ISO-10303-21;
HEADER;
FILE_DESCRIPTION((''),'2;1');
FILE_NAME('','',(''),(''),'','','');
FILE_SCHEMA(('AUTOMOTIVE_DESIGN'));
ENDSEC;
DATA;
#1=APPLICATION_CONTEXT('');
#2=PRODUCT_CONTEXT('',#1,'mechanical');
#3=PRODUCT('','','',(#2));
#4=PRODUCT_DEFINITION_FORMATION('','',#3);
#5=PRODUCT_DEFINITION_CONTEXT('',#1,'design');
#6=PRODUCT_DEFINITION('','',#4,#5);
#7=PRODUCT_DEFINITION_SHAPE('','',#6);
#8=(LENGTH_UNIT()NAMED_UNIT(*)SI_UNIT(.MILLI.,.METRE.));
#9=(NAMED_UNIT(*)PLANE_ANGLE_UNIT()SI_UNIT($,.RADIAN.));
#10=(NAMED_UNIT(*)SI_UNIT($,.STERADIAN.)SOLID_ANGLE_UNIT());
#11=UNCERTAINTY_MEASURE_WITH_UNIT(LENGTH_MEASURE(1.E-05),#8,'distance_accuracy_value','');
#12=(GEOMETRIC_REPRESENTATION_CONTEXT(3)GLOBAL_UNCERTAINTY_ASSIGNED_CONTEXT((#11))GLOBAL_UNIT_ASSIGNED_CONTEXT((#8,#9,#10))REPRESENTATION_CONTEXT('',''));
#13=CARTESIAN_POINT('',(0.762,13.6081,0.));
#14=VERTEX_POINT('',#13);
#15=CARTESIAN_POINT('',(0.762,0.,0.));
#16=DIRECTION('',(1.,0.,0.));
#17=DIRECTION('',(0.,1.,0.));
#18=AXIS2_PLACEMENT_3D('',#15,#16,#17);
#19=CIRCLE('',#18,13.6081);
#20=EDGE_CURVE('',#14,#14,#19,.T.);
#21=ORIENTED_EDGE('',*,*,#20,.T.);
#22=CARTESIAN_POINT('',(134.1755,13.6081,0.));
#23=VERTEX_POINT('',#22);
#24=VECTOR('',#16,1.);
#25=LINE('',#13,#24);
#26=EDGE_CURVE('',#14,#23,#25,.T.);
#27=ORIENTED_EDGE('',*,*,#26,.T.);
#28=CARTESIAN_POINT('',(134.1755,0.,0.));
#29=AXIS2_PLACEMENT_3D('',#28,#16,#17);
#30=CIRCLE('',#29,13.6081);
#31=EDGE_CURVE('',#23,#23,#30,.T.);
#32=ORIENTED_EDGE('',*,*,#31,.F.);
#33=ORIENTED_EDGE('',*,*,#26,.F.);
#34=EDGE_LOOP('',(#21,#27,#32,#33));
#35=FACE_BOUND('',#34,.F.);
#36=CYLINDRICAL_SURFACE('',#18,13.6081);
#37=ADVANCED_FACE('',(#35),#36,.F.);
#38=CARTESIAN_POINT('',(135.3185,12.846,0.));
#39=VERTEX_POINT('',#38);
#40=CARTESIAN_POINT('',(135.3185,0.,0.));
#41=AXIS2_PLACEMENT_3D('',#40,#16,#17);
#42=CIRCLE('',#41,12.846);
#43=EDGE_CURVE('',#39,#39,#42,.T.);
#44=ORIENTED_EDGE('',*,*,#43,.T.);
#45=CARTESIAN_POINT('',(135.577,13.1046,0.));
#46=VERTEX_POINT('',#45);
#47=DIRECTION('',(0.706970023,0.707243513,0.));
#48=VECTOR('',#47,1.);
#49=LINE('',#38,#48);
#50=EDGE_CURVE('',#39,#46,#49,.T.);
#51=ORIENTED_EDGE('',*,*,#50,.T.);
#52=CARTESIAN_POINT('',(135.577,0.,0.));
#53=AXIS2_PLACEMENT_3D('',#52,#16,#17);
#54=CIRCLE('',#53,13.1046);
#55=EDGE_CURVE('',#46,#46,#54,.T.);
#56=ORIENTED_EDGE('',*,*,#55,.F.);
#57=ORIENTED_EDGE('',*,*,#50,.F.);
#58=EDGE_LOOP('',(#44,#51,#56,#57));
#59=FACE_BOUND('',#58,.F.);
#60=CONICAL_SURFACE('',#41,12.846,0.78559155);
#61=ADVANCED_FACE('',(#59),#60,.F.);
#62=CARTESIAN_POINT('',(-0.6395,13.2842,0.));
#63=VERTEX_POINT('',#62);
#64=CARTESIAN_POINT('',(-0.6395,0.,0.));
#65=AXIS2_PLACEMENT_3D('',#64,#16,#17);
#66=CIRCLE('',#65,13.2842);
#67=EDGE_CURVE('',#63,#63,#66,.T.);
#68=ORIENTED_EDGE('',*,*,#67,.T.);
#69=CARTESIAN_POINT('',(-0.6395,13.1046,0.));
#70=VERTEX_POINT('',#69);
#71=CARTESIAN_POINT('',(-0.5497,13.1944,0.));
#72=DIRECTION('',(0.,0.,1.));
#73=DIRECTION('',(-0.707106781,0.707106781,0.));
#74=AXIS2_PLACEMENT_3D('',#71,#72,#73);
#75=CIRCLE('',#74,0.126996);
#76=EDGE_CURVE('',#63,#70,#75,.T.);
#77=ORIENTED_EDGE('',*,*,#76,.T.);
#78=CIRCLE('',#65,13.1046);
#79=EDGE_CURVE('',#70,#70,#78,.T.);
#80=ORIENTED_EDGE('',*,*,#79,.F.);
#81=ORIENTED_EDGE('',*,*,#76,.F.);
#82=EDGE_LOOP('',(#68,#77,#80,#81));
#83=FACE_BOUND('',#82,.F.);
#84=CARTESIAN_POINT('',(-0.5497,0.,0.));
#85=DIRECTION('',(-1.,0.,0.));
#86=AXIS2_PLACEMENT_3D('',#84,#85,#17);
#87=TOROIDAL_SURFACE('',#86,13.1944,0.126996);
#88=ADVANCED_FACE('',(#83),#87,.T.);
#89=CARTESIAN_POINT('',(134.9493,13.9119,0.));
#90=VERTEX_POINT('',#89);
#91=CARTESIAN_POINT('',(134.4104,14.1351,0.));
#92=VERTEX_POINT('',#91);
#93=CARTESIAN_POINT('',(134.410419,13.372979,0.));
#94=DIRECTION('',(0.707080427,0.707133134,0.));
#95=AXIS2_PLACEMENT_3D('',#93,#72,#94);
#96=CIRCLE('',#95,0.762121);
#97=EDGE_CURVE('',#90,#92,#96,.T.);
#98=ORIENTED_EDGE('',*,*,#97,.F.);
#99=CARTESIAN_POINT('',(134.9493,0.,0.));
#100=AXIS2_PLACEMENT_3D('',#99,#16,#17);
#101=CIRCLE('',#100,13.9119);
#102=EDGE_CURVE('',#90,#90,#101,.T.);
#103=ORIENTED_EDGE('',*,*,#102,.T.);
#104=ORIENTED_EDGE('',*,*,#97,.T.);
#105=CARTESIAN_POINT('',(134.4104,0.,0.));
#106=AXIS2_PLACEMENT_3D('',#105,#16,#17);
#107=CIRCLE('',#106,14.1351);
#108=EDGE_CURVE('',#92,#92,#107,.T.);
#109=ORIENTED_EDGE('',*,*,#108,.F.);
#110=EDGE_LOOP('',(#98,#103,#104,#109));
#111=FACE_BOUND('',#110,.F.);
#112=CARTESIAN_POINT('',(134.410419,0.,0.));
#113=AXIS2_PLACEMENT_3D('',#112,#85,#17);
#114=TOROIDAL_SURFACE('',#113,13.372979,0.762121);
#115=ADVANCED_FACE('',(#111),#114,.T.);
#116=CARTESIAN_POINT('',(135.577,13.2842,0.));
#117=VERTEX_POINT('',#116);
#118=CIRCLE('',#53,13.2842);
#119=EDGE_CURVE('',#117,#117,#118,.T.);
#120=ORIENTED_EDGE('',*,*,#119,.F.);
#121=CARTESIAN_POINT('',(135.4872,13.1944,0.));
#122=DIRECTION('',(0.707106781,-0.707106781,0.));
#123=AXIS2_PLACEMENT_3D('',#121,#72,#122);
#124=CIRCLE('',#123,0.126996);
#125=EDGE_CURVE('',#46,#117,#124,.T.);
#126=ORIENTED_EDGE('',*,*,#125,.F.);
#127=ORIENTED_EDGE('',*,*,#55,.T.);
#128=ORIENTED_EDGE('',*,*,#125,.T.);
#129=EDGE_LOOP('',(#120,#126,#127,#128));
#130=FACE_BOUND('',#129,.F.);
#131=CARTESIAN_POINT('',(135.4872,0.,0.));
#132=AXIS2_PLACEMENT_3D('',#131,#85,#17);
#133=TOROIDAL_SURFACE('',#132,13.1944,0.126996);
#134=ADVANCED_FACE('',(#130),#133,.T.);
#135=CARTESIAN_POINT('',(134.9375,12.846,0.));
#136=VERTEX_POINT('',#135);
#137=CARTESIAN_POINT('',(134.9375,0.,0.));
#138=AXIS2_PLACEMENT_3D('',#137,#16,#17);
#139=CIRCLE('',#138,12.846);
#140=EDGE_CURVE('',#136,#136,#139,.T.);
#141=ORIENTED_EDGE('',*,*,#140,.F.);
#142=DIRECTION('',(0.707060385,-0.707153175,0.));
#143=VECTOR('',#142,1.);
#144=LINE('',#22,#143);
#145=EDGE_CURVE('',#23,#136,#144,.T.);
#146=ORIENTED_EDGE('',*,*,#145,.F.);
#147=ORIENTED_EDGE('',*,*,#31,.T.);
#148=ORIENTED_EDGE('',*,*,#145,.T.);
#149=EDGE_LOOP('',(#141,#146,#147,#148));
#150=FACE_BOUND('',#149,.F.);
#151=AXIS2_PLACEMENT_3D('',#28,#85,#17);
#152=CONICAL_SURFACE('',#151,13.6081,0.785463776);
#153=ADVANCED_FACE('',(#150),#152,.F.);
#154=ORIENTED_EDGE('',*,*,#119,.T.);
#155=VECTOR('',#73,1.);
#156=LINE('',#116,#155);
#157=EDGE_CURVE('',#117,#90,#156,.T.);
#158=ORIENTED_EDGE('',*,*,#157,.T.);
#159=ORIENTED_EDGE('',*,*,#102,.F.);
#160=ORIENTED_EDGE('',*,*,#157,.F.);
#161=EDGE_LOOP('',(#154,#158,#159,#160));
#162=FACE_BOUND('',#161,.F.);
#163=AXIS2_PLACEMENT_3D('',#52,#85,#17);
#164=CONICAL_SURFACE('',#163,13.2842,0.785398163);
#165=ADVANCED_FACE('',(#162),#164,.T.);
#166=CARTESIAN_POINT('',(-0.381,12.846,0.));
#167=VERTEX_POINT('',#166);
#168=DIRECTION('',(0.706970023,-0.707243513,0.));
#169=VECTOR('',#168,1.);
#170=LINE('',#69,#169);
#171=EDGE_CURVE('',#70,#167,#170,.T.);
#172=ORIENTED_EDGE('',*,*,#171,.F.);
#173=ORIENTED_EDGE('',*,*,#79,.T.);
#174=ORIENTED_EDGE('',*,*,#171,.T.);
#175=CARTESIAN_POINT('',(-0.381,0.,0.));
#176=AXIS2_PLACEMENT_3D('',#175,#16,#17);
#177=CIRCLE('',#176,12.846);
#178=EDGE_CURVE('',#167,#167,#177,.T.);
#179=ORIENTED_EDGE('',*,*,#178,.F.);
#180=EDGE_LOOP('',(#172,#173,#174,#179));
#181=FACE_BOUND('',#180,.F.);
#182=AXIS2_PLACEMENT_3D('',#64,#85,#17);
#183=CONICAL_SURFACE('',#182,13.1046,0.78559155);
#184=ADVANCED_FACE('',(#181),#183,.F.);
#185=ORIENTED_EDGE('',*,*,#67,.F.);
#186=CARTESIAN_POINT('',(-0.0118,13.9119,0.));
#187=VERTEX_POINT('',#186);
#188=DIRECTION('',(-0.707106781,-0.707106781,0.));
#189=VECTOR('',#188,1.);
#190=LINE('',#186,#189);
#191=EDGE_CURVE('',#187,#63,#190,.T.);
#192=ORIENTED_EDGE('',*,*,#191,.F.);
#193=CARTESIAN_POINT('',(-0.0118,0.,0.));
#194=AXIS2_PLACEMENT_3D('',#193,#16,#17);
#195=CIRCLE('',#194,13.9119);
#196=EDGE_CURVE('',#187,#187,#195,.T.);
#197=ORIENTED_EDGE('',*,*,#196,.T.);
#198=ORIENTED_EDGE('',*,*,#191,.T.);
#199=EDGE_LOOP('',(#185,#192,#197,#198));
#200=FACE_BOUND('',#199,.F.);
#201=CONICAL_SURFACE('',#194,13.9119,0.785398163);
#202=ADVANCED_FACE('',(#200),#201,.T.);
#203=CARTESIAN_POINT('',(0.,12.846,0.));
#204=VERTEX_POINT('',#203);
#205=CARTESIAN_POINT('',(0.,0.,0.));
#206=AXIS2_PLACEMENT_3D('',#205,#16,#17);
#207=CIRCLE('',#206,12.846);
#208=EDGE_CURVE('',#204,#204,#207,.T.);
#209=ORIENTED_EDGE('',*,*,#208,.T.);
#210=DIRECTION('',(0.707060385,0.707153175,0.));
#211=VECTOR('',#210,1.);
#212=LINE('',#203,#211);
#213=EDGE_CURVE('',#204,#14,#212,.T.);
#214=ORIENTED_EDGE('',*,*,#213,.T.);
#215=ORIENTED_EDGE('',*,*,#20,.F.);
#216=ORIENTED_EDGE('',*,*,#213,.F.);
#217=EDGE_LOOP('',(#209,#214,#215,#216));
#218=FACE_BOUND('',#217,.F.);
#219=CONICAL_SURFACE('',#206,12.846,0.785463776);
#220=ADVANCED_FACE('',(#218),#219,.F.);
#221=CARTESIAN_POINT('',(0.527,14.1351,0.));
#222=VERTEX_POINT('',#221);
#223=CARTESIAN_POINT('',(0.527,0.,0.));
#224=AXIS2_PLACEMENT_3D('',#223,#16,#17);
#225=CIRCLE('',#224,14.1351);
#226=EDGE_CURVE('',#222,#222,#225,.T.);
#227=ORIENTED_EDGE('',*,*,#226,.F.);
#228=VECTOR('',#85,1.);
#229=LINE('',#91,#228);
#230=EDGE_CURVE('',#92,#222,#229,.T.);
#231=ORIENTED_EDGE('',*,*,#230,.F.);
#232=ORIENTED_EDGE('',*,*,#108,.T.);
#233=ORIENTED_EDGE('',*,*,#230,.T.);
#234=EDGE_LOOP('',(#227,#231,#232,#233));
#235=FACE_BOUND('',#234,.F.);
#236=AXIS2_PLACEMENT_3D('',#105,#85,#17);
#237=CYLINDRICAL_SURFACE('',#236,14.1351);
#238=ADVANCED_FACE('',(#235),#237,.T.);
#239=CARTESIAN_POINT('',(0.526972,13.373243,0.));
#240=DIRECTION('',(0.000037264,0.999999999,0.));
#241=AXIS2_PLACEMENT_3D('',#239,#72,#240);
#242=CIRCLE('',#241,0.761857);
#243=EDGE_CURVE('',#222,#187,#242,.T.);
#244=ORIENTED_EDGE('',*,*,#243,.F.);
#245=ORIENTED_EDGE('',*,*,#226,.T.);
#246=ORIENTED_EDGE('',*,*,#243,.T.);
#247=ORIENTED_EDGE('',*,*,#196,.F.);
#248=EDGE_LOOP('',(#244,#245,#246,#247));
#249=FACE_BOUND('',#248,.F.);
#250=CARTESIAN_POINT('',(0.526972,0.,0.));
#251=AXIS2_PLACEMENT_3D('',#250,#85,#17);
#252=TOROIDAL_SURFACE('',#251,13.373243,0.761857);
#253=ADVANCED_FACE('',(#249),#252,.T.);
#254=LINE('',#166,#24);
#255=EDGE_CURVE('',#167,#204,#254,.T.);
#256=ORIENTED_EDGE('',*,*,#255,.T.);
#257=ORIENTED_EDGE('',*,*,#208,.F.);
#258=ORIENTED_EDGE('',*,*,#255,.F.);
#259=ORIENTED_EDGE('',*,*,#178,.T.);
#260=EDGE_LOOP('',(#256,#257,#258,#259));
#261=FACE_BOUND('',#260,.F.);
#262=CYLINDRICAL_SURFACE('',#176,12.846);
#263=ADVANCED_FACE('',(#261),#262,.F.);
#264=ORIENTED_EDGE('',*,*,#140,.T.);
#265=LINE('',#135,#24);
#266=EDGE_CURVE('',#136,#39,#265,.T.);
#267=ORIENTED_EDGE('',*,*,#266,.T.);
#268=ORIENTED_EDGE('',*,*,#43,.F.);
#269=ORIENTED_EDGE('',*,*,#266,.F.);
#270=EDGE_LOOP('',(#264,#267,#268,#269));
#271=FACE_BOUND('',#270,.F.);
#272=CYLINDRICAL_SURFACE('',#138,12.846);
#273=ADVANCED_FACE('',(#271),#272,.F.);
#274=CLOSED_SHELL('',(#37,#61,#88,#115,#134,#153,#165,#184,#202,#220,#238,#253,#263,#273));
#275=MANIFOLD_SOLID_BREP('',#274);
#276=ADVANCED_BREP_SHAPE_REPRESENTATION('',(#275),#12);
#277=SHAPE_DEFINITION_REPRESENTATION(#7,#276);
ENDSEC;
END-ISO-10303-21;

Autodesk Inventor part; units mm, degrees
sketch "Sketch_1" plane through (0, 0, 0) normal (0, 0, 1) x (1, 0, 0)
  line L0 (134.9375, 0) -> (0, 0)
  arc A0 (-0.6395, 13.2842) -> (-0.6395, 13.1046) centre (-0.5497, 13.1944) ccw
  line L1 (-0.6395, 13.1046) -> (-0.381, 12.846)
  line L2 (-0.381, 12.846) -> (0, 12.846)
  line L3 (0, 12.846) -> (0.762, 13.6081)
  line L4 (0.762, 13.6081) -> (134.1755, 13.6081)
  line L5 (134.1755, 13.6081) -> (134.9375, 12.846)
  line L6 (134.9375, 12.846) -> (135.3185, 12.846)
  line L7 (135.3185, 12.846) -> (135.577, 13.1046)
  arc A1 (135.577, 13.1046) -> (135.577, 13.2842) centre (135.4872, 13.1944) ccw
  line L8 (135.577, 13.2842) -> (134.9493, 13.9119)
  arc A2 (134.9493, 13.9119) -> (134.4104, 14.1351) centre (134.4105, 13.3731) ccw
  line L9 (134.4104, 14.1351) -> (0.527, 14.1351)
  arc A3 (0.527, 14.1351) -> (-0.0118, 13.9119) centre (0.527, 13.3731) ccw
  line L10 (-0.0118, 13.9119) -> (-0.6395, 13.2842)
revolve "Revolution1" add sketch "Sketch_1" angle 360 about axis through (134.9375, 0, 0) along (1, 0, 0)
ref_plane "cp1_XY" through (67.4688, 14.1351, 0) normal (1, 0, 0) x (0, 0, -1)
ref_plane "cp1_YZ" through (67.4688, 14.1351, 0) normal (0, 0, -1) x (0, 1, 0)
ref_plane "cp1_ZX" through (67.4688, 14.1351, 0) normal (0, 1, 0) x (1, 0, 0)
ref_plane "cp2_XY" through (67.4688, 0, -14.1351) normal (1, 0, 0) x (0, 0, -1)
ref_plane "cp2_YZ" through (67.4688, 0, -14.1351) normal (0, 0, -1) x (0, 1, 0)
ref_plane "cp2_ZX" through (67.4688, 0, -14.1351) normal (0, 1, 0) x (1, 0, 0)
ref_plane "cp3_XY" through (67.4688, -14.1351, 0) normal (1, 0, 0) x (0, 0, -1)
ref_plane "cp3_YZ" through (67.4688, -14.1351, 0) normal (0, 0, -1) x (0, 1, 0)
ref_plane "cp3_ZX" through (67.4688, -14.1351, 0) normal (0, 1, 0) x (1, 0, 0)
ref_plane "cp4_XY" through (67.4688, 0, 14.1351) normal (1, 0, 0) x (0, 0, -1)
ref_plane "cp4_YZ" through (67.4688, 0, 14.1351) normal (0, 0, -1) x (0, 1, 0)
ref_plane "cp4_ZX" through (67.4688, 0, 14.1351) normal (0, 1, 0) x (1, 0, 0)
ref_plane "tube_front_XY" through (0, 0, 0) normal (1, 0, 0) x (0, 0, -1)
ref_plane "tube_front_YZ" through (0, 0, 0) normal (0, 0, -1) x (0, 1, 0)
ref_plane "tube_front_ZX" through (0, 0, 0) normal (0, 1, 0) x (1, 0, 0)
ref_plane "tube_rear_XY" through (134.9375, 0, 0) normal (1, 0, 0) x (0, 0, -1)
ref_plane "tube_rear_YZ" through (134.9375, 0, 0) normal (0, 0, -1) x (0, 1, 0)
ref_plane "tube_rear_ZX" through (134.9375, 0, 0) normal (0, 1, 0) x (1, 0, 0)
properties part number "09R-5.31250SR"
